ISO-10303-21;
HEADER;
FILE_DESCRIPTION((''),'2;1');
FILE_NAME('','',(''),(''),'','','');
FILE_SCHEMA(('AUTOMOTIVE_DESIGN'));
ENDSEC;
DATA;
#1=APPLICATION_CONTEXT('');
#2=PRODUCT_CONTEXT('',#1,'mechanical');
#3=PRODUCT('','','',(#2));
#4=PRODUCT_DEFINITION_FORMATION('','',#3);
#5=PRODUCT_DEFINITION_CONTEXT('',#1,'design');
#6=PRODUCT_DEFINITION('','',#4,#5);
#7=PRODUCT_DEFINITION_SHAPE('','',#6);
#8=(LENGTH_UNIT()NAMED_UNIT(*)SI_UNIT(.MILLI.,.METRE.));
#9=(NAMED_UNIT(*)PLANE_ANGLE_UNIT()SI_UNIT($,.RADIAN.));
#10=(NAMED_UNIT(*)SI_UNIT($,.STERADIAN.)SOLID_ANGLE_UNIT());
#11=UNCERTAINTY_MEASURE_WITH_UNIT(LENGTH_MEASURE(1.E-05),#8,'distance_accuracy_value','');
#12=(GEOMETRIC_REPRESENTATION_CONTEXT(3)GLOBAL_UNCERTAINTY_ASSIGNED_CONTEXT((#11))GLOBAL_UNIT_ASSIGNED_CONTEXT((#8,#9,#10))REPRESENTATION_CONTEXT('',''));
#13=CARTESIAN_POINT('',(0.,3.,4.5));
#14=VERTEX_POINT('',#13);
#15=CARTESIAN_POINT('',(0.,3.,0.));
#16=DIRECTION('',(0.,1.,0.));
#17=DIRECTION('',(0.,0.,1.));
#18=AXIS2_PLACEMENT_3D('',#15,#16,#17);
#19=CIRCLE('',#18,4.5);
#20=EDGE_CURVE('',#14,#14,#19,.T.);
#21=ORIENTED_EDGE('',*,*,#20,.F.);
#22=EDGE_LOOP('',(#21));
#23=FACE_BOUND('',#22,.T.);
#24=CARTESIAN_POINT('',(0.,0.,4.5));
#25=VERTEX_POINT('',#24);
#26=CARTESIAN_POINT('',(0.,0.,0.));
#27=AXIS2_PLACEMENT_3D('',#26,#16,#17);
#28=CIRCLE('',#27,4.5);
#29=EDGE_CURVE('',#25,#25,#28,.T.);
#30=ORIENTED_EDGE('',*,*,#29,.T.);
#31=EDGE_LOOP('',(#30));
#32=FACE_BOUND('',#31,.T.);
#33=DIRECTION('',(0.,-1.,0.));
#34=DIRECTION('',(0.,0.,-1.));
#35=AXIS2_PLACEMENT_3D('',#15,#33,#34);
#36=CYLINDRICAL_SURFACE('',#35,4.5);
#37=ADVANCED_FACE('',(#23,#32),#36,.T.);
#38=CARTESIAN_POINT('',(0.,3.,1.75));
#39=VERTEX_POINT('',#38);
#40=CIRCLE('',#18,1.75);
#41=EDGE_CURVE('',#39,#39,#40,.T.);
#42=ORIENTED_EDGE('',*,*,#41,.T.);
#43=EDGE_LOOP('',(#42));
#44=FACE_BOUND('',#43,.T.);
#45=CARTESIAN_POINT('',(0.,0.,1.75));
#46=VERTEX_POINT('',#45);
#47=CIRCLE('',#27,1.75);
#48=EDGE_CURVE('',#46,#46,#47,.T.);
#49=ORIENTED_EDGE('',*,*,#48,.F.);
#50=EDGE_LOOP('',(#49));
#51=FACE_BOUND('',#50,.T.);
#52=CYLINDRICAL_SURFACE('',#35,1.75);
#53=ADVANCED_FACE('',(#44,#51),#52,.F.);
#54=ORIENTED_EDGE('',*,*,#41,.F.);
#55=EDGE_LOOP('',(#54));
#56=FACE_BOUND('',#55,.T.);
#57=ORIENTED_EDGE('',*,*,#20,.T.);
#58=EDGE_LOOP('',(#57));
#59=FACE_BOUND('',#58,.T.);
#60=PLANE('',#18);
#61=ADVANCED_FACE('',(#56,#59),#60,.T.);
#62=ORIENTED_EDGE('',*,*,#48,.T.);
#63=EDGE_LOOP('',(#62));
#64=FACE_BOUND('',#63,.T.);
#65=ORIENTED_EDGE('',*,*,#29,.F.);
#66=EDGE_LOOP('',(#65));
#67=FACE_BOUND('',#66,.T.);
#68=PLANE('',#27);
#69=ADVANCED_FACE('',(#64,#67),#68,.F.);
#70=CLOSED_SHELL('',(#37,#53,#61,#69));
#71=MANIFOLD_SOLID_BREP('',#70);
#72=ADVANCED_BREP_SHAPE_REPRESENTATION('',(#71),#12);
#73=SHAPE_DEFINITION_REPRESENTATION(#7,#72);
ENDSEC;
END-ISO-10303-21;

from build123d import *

# Parameters (mm, degrees)
SKETCH_2_R      = 4.5
SKETCH_2_R_2    = 1.75
EXTRUDE_1_DEPTH = 3


with BuildPart() as part:
    # 草图2 → 凸台-拉伸1 (new body)
    with BuildSketch(Plane(origin=(0, 0, 0), x_dir=(1, 0, 0), z_dir=(0, 1, 0))):
        with Locations(Location((0, 0, 0), (0, 0, 270))):
            Circle(SKETCH_2_R)
        with Locations(Location((0, 0, 0), (0, 0, 270))):
            Circle(SKETCH_2_R_2, mode=Mode.SUBTRACT)
    extrude(amount=EXTRUDE_1_DEPTH)


solid = part.part
